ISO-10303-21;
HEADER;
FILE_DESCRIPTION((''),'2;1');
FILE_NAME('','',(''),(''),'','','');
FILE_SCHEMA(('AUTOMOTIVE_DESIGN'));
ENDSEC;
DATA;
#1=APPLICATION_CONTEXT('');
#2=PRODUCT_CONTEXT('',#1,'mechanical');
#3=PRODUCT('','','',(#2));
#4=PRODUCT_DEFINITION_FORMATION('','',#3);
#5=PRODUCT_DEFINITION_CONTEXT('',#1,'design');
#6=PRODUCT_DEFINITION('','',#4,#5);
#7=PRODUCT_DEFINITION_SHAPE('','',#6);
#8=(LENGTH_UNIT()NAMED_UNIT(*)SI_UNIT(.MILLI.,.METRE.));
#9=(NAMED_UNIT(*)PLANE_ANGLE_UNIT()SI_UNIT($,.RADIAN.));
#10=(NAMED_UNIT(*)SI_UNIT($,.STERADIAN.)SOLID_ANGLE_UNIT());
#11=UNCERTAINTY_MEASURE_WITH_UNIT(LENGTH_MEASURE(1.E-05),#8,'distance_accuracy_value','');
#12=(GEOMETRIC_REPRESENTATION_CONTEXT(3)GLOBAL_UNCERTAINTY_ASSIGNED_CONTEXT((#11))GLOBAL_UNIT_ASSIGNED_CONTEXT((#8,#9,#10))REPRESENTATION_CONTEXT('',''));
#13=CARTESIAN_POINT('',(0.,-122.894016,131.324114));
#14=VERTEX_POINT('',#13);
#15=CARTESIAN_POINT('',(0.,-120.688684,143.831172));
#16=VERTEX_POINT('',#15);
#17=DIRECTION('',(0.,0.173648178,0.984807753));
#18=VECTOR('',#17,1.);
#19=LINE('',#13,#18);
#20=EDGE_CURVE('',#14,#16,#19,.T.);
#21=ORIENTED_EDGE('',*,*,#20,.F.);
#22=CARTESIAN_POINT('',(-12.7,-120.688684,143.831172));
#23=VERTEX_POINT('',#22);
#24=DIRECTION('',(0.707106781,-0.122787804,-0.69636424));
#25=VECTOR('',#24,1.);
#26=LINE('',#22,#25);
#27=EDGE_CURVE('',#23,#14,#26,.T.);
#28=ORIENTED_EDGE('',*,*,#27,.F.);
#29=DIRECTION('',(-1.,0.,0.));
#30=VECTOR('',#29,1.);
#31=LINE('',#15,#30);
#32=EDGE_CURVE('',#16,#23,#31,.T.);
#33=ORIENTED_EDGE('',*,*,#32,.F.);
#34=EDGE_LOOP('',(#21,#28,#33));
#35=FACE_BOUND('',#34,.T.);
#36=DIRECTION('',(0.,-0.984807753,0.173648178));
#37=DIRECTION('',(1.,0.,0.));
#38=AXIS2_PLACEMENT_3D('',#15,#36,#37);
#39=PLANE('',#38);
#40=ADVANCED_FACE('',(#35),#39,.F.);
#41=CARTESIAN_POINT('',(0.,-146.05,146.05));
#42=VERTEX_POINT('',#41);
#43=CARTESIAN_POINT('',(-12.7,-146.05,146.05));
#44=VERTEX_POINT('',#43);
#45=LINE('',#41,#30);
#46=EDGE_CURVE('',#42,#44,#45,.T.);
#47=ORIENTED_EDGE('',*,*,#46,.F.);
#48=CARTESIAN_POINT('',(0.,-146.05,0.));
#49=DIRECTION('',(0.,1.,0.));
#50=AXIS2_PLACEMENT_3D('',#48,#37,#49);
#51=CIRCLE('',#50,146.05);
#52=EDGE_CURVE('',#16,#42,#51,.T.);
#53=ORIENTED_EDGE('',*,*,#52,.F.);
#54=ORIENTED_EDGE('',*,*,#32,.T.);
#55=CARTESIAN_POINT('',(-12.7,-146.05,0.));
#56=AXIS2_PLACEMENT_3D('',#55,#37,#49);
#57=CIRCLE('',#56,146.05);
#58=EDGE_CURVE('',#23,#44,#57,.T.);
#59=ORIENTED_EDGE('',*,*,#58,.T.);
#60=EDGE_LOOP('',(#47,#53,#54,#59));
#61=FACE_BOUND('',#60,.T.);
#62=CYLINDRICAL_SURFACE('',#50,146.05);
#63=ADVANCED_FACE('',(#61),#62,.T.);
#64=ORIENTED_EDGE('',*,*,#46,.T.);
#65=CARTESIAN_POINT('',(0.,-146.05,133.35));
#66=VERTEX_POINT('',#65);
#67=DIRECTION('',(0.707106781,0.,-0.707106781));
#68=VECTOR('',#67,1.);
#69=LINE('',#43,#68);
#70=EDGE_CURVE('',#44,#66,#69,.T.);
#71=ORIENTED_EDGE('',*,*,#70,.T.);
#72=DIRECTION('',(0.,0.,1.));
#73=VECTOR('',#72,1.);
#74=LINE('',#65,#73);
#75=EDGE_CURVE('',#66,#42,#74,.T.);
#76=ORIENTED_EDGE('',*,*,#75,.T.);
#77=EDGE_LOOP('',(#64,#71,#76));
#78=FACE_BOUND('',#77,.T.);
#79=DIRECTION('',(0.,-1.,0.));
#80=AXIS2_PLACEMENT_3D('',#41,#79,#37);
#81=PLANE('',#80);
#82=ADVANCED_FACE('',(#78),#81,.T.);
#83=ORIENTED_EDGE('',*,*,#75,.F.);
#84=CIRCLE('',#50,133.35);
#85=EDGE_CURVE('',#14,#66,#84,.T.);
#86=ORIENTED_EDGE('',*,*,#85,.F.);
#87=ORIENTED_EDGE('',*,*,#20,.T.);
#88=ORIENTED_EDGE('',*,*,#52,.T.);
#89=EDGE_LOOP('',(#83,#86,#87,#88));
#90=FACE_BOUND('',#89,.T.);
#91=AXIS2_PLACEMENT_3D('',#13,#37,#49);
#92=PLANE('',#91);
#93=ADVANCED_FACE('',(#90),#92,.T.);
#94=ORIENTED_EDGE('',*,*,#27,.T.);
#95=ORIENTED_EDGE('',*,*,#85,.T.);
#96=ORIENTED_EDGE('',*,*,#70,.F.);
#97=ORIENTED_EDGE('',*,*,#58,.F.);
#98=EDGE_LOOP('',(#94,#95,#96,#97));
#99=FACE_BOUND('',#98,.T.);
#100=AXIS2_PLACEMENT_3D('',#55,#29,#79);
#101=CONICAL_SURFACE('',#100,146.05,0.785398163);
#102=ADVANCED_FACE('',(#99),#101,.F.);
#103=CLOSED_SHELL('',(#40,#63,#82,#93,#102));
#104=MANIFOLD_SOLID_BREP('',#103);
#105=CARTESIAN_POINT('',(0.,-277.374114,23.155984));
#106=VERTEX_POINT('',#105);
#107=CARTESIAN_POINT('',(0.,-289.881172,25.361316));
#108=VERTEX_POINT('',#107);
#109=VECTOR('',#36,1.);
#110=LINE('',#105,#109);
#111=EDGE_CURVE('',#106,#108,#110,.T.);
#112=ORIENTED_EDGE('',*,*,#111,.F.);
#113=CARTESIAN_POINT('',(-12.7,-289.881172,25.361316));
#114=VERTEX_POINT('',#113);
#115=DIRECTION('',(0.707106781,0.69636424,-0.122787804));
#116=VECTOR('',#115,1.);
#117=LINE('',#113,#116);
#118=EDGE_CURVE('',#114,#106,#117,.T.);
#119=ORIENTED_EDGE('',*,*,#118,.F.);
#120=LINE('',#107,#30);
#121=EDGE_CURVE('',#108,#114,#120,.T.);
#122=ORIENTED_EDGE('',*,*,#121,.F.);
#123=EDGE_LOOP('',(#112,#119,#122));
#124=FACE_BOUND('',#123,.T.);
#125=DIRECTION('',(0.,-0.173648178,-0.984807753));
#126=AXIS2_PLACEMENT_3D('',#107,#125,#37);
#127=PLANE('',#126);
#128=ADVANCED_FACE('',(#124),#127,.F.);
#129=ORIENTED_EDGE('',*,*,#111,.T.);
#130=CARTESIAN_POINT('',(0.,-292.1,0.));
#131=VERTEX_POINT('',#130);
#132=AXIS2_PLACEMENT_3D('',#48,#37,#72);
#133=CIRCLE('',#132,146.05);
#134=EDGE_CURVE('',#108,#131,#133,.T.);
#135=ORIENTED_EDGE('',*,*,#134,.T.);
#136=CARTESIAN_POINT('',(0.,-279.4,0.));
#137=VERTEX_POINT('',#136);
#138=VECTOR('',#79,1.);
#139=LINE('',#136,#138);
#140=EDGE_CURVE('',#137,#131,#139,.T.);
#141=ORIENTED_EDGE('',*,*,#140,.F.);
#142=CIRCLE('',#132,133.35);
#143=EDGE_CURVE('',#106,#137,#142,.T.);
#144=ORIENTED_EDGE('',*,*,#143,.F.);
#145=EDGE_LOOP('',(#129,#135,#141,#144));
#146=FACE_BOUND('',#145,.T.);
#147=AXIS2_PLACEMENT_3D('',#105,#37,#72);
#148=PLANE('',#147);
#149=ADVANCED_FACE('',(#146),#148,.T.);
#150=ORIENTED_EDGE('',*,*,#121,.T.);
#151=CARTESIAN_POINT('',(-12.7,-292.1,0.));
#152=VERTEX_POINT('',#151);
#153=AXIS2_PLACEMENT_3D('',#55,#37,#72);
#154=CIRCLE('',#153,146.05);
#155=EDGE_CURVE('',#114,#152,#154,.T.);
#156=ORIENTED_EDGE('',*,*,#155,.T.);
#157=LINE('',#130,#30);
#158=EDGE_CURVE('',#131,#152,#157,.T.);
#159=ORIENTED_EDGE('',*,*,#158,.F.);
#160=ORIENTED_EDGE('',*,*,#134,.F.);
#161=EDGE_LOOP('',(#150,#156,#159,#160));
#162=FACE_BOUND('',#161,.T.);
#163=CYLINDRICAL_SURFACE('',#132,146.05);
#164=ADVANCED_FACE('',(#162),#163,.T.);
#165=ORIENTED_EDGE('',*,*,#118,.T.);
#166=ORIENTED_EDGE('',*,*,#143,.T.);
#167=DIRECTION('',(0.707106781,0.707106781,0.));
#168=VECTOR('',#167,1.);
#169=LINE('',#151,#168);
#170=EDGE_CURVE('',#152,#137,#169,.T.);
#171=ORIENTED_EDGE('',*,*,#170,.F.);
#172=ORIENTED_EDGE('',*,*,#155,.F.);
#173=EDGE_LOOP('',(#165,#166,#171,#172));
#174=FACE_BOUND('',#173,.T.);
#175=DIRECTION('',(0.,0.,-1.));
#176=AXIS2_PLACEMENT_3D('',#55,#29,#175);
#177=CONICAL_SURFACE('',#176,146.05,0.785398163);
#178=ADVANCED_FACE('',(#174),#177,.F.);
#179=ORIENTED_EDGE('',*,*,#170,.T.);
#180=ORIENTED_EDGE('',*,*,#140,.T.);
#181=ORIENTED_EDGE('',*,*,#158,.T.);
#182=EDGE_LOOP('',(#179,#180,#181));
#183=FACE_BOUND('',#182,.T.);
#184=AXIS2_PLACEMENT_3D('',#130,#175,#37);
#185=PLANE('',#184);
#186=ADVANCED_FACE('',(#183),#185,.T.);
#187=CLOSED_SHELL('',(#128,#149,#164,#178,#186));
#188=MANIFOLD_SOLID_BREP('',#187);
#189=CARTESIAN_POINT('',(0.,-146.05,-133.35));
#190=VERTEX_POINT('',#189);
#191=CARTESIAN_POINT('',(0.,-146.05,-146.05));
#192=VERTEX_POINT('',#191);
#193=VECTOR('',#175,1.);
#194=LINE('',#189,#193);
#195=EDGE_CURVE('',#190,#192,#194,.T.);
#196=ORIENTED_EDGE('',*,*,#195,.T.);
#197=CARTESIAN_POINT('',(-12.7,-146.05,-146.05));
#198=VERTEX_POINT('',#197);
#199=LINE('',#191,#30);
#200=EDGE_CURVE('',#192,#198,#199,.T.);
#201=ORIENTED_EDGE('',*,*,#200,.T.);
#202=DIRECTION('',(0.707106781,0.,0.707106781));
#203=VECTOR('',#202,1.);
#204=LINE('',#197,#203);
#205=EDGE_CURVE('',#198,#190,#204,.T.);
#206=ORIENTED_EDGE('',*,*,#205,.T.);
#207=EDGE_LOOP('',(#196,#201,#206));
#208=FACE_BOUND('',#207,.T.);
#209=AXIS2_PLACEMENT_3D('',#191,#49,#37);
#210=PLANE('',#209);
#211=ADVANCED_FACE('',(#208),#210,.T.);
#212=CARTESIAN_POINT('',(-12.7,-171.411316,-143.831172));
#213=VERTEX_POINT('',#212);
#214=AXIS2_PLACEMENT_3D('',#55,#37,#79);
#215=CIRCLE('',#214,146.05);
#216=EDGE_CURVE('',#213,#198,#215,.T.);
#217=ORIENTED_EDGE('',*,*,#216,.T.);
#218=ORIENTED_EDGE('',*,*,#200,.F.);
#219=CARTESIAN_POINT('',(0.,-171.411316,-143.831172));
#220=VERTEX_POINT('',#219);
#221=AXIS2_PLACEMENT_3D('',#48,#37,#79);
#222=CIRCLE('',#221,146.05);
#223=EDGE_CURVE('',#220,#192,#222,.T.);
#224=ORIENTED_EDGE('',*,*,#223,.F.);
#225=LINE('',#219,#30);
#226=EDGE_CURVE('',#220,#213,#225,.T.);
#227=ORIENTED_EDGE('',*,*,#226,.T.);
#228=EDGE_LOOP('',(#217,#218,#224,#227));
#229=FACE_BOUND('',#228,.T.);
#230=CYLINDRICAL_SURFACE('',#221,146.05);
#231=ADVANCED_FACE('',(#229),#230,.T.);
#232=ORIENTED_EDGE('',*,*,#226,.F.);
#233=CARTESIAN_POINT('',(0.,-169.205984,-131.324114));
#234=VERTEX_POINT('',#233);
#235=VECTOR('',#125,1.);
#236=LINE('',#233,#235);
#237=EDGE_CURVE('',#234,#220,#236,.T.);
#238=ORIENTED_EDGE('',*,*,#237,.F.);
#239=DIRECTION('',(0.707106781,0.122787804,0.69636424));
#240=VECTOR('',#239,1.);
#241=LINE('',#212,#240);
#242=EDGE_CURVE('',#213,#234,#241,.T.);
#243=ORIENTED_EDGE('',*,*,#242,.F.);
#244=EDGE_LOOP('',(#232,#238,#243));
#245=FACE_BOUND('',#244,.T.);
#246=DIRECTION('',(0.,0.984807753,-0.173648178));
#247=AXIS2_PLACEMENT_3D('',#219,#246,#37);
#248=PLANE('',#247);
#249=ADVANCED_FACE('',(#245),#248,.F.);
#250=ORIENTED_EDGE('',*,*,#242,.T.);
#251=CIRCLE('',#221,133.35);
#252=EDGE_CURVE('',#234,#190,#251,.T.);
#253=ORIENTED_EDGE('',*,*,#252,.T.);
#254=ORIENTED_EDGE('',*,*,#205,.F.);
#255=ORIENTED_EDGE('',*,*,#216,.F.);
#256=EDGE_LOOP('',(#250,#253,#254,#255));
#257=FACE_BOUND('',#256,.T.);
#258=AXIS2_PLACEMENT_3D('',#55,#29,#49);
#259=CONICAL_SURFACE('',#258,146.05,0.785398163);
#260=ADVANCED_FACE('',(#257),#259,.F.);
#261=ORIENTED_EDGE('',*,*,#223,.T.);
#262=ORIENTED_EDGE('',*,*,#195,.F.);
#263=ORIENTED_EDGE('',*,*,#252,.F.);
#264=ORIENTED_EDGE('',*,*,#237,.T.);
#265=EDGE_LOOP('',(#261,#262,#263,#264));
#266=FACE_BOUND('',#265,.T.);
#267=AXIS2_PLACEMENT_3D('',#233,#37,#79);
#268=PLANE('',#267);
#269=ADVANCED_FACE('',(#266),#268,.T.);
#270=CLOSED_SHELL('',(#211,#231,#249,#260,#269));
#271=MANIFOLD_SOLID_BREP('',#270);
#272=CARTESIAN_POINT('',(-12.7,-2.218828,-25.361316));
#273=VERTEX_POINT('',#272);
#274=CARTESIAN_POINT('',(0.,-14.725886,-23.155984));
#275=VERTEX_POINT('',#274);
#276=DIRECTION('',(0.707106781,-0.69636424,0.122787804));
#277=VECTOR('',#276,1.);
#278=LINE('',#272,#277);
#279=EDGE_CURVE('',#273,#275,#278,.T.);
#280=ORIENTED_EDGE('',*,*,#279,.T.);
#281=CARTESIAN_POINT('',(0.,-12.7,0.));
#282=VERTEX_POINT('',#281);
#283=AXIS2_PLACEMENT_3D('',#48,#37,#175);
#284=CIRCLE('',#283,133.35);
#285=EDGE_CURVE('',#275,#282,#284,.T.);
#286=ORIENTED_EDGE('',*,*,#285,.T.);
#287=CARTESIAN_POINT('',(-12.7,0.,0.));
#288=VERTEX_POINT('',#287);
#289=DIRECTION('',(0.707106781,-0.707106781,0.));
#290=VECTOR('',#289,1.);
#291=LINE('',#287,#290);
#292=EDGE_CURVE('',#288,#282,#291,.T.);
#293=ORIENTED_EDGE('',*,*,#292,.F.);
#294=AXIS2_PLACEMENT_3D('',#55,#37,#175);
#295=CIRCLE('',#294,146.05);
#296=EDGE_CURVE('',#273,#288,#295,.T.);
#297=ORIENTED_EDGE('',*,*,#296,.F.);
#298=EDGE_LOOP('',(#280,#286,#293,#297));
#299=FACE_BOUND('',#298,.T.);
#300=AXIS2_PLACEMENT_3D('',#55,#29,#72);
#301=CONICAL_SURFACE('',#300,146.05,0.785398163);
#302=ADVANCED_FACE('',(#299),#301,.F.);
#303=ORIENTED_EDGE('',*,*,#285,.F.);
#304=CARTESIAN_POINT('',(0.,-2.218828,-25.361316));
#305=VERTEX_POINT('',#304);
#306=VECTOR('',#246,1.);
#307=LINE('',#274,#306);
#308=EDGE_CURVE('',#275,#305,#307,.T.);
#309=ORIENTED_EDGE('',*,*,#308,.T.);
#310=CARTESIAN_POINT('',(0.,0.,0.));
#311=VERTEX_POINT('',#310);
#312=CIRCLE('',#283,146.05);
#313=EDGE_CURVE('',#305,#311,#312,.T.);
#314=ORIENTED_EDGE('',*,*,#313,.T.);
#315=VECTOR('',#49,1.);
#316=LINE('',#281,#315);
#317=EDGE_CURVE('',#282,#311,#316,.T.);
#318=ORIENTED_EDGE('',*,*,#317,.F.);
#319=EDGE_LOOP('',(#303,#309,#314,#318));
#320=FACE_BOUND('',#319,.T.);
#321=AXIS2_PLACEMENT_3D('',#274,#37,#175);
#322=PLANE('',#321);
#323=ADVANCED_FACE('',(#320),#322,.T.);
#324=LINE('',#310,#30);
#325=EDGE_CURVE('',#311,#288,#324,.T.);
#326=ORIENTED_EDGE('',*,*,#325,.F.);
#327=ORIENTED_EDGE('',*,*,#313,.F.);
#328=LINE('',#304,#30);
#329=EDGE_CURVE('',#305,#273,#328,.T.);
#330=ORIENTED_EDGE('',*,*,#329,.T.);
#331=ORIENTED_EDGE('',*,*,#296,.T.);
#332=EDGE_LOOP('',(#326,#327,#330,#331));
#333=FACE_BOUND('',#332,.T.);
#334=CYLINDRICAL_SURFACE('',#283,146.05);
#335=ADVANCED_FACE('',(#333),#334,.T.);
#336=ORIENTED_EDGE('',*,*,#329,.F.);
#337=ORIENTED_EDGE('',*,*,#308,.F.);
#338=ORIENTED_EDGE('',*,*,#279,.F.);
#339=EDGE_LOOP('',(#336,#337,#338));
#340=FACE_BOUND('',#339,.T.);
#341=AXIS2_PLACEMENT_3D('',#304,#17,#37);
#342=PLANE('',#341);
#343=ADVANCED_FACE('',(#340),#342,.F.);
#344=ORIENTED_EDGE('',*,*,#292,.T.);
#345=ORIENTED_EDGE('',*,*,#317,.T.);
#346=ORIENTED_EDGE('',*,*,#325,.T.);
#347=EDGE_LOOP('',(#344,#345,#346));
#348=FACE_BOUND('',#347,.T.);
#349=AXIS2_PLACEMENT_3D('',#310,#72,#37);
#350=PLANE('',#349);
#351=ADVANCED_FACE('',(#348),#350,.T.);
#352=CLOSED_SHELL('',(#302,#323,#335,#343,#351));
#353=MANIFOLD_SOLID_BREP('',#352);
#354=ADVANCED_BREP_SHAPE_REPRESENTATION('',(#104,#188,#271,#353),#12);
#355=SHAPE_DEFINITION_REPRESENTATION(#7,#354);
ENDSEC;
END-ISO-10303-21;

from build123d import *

# Parameters (mm, degrees)
REVOLVE1_ANGLE    = 10
CIRPATTERN1_COUNT = 4


with BuildPart() as part:
    # Sketch1 → Revolve1 (revolve)
    with BuildSketch(Plane.XY):
        Polygon((0, 0), (-12.7, 0), (0, -12.7), align=None)
    revolve(axis=Axis((0, -146.05, 0), (-1, 0, 0)), revolution_arc=REVOLVE1_ANGLE)


with BuildPart() as cirpattern1_1:
    # CirPattern1: pattern copy
    add(part.part.rotate(Axis((0, -146.05, 0), (-1, 0, 0)), 1 * 360 / CIRPATTERN1_COUNT))


with BuildPart() as cirpattern1_2:
    # CirPattern1: pattern copy
    add(part.part.rotate(Axis((0, -146.05, 0), (-1, 0, 0)), 2 * 360 / CIRPATTERN1_COUNT))


with BuildPart() as cirpattern1_3:
    # CirPattern1: pattern copy
    add(part.part.rotate(Axis((0, -146.05, 0), (-1, 0, 0)), 3 * 360 / CIRPATTERN1_COUNT))


solid = Compound([part.part, cirpattern1_1.part, cirpattern1_2.part, cirpattern1_3.part])
